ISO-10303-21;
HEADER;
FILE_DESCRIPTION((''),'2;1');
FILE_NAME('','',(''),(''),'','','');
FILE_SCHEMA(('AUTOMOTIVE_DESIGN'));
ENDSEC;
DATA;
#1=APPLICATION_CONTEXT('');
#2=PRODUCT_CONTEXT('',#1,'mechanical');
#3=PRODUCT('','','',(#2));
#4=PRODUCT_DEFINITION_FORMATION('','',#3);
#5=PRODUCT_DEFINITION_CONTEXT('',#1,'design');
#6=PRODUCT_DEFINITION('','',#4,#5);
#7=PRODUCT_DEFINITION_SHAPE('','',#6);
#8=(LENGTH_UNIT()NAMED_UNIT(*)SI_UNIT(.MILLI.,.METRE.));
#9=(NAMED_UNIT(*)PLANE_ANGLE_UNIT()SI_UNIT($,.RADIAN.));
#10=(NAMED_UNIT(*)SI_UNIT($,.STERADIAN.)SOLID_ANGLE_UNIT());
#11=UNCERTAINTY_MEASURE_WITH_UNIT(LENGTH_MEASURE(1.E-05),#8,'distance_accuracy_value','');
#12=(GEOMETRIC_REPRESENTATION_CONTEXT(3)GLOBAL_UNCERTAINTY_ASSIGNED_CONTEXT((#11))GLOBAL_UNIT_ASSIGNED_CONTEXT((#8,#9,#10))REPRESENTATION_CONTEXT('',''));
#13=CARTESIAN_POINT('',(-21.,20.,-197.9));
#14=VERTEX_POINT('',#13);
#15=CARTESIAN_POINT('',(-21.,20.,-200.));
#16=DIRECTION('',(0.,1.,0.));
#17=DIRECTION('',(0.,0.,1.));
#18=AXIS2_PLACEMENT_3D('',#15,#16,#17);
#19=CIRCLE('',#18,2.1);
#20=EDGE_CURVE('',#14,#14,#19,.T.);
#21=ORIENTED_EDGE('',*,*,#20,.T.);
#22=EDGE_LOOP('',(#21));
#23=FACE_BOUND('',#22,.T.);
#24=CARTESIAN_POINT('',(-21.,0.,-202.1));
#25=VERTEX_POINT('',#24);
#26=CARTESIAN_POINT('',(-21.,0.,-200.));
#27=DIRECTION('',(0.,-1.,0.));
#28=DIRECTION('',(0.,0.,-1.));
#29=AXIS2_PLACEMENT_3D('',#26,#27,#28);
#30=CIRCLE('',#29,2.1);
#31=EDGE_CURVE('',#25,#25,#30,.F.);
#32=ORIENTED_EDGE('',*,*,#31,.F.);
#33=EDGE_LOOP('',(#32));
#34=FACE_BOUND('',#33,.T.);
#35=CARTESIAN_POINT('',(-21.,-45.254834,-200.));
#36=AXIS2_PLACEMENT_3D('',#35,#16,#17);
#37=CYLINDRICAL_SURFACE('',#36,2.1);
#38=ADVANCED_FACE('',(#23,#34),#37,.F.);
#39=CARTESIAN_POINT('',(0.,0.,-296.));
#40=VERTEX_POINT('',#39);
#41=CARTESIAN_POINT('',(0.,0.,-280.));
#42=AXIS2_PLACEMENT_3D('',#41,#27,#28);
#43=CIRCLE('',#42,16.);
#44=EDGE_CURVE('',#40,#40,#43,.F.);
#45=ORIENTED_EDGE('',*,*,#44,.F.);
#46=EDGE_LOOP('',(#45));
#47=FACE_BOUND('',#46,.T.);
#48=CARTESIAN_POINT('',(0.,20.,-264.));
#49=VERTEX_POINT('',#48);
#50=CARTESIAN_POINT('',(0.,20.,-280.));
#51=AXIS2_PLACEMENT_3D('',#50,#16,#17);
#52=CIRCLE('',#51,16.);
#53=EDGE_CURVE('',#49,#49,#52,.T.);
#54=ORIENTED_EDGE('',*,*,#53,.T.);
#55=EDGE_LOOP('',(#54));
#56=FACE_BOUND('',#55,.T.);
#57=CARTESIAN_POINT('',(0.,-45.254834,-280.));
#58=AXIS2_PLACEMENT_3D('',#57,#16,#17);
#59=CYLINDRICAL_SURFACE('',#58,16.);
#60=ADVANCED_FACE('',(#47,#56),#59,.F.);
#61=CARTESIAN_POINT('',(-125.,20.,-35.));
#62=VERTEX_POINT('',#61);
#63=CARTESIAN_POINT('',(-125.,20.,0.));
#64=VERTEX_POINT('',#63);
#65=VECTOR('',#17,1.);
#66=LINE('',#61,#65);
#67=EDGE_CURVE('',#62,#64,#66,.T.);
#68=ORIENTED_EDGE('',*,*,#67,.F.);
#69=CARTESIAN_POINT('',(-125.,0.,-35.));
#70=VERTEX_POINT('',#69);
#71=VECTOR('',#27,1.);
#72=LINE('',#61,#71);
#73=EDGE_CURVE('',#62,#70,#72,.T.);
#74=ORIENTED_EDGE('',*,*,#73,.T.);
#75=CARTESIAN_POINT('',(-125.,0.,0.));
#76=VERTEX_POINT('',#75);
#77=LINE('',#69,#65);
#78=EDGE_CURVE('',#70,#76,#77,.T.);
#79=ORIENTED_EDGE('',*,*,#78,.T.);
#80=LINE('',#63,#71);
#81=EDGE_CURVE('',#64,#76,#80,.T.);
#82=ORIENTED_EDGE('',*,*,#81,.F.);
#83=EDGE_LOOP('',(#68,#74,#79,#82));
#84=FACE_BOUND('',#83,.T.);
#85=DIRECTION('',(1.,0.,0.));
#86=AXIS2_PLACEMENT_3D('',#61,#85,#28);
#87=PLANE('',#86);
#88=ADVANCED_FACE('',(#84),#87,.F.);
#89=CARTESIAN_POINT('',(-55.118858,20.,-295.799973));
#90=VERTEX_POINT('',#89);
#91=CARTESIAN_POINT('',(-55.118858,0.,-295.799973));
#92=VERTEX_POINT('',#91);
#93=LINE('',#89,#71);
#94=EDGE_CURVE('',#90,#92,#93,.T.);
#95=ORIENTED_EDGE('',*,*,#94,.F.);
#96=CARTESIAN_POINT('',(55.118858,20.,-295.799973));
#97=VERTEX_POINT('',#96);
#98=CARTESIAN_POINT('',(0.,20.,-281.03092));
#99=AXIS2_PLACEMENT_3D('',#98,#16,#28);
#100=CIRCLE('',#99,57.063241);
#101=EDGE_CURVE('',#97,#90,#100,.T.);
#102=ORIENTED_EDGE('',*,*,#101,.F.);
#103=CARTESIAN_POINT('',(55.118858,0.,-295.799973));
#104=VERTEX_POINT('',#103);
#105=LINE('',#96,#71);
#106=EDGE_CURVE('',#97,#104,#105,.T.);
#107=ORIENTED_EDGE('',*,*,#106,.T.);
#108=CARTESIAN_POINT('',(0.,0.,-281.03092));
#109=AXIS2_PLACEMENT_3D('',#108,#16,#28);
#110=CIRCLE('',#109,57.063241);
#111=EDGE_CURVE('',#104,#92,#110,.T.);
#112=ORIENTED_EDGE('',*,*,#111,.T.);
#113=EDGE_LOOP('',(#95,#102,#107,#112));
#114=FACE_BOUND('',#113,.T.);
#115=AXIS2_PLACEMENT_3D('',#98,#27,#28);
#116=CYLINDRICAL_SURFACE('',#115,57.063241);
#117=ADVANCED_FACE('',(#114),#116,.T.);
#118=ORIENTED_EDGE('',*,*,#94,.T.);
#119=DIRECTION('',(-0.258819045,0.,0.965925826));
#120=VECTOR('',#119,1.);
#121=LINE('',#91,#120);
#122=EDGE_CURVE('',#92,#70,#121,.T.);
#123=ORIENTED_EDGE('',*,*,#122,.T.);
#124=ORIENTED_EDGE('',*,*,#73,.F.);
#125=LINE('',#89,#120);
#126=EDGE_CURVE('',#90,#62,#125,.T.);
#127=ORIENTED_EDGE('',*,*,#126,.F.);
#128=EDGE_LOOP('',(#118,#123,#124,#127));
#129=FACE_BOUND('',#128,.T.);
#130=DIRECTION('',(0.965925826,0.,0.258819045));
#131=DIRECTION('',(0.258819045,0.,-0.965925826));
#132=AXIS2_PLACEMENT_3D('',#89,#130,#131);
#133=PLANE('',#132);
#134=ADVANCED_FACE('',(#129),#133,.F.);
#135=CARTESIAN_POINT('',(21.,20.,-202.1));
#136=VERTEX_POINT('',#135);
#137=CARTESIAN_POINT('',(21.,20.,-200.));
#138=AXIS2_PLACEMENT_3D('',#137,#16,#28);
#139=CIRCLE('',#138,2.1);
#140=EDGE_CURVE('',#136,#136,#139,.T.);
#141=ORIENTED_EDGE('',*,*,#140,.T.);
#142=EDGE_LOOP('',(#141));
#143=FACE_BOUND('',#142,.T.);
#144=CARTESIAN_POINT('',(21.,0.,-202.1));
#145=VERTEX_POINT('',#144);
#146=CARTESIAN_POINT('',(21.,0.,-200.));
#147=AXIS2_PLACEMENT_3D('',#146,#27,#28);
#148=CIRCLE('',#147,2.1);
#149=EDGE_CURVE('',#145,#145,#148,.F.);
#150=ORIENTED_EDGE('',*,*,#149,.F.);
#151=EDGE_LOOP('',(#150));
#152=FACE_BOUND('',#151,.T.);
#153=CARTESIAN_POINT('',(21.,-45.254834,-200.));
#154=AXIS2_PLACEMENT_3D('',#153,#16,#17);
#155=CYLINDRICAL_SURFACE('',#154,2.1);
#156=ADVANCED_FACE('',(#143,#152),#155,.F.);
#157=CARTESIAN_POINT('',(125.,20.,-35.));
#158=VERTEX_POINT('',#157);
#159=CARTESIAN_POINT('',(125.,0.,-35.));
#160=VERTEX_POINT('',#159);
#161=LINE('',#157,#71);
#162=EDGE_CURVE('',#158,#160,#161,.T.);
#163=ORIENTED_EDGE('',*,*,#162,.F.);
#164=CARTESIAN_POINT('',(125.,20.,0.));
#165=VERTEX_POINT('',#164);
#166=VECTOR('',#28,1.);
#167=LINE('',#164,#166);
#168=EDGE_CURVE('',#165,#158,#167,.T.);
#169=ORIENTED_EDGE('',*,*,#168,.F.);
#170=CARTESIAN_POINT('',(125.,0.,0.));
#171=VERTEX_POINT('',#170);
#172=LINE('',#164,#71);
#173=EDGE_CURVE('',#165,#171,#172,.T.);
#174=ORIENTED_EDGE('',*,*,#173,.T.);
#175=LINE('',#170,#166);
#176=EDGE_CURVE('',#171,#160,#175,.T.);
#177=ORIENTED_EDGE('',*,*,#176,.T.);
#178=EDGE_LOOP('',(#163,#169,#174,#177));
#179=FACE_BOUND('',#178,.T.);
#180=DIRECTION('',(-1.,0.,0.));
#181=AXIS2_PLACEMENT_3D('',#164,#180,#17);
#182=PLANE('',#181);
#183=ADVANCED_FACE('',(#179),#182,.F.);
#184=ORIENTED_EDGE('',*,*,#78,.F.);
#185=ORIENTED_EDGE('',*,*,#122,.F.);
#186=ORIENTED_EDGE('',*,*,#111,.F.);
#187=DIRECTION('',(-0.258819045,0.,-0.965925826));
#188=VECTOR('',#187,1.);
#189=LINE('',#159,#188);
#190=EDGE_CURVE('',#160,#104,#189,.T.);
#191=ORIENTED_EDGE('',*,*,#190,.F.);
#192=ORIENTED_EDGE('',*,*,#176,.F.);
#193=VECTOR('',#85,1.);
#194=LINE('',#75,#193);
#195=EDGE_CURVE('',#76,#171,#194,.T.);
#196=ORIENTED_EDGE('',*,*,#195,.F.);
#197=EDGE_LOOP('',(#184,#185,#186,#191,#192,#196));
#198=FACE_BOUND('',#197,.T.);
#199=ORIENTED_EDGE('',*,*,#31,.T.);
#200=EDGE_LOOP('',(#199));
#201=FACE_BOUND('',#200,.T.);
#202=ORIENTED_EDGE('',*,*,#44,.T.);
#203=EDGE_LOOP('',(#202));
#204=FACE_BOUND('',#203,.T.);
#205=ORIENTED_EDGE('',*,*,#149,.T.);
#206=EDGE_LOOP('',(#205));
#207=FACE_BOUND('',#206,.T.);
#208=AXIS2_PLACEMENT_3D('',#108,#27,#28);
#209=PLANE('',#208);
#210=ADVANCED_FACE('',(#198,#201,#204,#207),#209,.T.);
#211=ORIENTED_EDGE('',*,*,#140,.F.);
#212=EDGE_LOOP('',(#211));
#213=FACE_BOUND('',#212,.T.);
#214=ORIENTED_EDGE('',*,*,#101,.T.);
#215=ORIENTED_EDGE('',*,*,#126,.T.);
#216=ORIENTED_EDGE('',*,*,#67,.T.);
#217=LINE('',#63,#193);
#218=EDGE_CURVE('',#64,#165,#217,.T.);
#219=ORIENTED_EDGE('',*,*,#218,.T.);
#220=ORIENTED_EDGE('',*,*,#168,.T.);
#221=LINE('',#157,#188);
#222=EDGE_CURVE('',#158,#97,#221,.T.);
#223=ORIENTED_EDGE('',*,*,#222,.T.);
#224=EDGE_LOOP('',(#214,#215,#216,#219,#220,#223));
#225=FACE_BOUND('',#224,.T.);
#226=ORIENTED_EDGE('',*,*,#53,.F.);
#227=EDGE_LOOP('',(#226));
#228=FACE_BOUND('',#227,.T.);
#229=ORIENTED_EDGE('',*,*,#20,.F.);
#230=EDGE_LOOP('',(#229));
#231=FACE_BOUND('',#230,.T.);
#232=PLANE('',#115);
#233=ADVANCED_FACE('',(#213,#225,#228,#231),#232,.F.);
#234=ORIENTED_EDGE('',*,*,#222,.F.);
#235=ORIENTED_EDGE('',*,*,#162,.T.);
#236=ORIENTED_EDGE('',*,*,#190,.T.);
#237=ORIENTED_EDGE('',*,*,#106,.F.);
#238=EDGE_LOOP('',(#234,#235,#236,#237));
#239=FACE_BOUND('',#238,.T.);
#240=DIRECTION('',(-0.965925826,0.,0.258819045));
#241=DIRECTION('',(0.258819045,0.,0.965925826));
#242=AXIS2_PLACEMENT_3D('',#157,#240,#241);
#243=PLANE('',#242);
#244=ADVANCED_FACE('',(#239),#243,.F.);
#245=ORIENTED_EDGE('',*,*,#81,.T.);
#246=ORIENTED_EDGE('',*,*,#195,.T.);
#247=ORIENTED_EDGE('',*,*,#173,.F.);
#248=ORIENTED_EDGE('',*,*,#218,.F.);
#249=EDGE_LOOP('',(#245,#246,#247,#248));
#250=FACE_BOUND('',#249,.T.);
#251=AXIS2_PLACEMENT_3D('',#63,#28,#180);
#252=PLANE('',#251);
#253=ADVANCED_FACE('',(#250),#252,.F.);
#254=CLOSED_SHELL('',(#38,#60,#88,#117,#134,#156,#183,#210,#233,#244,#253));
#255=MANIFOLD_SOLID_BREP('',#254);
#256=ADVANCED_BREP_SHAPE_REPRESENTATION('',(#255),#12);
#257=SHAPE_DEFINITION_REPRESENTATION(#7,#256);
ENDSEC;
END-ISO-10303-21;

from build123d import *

# Parameters (mm, degrees)
BOSS_EXTRUDE1_DEPTH = 20
SKETCH3_R           = 2.1
SKETCH3_R_2         = 16
CUT_EXTRUDE2_DEPTH  = 20


with BuildPart() as part:
    # Sketch1 → Boss-Extrude1 (new body)
    with BuildSketch(Plane(origin=(0, 0, 0), x_dir=(1, 0, 0), z_dir=(0, 1, 0))):
        with BuildLine():
            Line((-55.118857822, 295.799973098), (-125, 35))
            Line((-125, 35), (-125, 0))
            Line((-125, 0), (125, 0))
            Line((125, 0), (125, 35))
            Line((125, 35), (55.118857822, 295.799973098))
            ThreePointArc((55.118857822, 295.799973098), (0, 338.094160252), (-55.118857822, 295.799973098))
        make_face()
    extrude(amount=BOSS_EXTRUDE1_DEPTH)

    # Sketch3 → Cut-Extrude2 (cut)
    with BuildSketch(Plane(origin=(0, 20, 0), x_dir=(1, 0, 0), z_dir=(0, 1, 0))):
        with Locations(Location((-21, 200, 0), (0, 0, 270))):
            Circle(SKETCH3_R)
        with Locations(Location((21, 200, 0), (0, 0, 90))):
            Circle(SKETCH3_R)
        with Locations(Location((0, 280, 0), (0, 0, 270))):
            Circle(SKETCH3_R_2)
    extrude(amount=-CUT_EXTRUDE2_DEPTH, mode=Mode.SUBTRACT)


solid = part.part
